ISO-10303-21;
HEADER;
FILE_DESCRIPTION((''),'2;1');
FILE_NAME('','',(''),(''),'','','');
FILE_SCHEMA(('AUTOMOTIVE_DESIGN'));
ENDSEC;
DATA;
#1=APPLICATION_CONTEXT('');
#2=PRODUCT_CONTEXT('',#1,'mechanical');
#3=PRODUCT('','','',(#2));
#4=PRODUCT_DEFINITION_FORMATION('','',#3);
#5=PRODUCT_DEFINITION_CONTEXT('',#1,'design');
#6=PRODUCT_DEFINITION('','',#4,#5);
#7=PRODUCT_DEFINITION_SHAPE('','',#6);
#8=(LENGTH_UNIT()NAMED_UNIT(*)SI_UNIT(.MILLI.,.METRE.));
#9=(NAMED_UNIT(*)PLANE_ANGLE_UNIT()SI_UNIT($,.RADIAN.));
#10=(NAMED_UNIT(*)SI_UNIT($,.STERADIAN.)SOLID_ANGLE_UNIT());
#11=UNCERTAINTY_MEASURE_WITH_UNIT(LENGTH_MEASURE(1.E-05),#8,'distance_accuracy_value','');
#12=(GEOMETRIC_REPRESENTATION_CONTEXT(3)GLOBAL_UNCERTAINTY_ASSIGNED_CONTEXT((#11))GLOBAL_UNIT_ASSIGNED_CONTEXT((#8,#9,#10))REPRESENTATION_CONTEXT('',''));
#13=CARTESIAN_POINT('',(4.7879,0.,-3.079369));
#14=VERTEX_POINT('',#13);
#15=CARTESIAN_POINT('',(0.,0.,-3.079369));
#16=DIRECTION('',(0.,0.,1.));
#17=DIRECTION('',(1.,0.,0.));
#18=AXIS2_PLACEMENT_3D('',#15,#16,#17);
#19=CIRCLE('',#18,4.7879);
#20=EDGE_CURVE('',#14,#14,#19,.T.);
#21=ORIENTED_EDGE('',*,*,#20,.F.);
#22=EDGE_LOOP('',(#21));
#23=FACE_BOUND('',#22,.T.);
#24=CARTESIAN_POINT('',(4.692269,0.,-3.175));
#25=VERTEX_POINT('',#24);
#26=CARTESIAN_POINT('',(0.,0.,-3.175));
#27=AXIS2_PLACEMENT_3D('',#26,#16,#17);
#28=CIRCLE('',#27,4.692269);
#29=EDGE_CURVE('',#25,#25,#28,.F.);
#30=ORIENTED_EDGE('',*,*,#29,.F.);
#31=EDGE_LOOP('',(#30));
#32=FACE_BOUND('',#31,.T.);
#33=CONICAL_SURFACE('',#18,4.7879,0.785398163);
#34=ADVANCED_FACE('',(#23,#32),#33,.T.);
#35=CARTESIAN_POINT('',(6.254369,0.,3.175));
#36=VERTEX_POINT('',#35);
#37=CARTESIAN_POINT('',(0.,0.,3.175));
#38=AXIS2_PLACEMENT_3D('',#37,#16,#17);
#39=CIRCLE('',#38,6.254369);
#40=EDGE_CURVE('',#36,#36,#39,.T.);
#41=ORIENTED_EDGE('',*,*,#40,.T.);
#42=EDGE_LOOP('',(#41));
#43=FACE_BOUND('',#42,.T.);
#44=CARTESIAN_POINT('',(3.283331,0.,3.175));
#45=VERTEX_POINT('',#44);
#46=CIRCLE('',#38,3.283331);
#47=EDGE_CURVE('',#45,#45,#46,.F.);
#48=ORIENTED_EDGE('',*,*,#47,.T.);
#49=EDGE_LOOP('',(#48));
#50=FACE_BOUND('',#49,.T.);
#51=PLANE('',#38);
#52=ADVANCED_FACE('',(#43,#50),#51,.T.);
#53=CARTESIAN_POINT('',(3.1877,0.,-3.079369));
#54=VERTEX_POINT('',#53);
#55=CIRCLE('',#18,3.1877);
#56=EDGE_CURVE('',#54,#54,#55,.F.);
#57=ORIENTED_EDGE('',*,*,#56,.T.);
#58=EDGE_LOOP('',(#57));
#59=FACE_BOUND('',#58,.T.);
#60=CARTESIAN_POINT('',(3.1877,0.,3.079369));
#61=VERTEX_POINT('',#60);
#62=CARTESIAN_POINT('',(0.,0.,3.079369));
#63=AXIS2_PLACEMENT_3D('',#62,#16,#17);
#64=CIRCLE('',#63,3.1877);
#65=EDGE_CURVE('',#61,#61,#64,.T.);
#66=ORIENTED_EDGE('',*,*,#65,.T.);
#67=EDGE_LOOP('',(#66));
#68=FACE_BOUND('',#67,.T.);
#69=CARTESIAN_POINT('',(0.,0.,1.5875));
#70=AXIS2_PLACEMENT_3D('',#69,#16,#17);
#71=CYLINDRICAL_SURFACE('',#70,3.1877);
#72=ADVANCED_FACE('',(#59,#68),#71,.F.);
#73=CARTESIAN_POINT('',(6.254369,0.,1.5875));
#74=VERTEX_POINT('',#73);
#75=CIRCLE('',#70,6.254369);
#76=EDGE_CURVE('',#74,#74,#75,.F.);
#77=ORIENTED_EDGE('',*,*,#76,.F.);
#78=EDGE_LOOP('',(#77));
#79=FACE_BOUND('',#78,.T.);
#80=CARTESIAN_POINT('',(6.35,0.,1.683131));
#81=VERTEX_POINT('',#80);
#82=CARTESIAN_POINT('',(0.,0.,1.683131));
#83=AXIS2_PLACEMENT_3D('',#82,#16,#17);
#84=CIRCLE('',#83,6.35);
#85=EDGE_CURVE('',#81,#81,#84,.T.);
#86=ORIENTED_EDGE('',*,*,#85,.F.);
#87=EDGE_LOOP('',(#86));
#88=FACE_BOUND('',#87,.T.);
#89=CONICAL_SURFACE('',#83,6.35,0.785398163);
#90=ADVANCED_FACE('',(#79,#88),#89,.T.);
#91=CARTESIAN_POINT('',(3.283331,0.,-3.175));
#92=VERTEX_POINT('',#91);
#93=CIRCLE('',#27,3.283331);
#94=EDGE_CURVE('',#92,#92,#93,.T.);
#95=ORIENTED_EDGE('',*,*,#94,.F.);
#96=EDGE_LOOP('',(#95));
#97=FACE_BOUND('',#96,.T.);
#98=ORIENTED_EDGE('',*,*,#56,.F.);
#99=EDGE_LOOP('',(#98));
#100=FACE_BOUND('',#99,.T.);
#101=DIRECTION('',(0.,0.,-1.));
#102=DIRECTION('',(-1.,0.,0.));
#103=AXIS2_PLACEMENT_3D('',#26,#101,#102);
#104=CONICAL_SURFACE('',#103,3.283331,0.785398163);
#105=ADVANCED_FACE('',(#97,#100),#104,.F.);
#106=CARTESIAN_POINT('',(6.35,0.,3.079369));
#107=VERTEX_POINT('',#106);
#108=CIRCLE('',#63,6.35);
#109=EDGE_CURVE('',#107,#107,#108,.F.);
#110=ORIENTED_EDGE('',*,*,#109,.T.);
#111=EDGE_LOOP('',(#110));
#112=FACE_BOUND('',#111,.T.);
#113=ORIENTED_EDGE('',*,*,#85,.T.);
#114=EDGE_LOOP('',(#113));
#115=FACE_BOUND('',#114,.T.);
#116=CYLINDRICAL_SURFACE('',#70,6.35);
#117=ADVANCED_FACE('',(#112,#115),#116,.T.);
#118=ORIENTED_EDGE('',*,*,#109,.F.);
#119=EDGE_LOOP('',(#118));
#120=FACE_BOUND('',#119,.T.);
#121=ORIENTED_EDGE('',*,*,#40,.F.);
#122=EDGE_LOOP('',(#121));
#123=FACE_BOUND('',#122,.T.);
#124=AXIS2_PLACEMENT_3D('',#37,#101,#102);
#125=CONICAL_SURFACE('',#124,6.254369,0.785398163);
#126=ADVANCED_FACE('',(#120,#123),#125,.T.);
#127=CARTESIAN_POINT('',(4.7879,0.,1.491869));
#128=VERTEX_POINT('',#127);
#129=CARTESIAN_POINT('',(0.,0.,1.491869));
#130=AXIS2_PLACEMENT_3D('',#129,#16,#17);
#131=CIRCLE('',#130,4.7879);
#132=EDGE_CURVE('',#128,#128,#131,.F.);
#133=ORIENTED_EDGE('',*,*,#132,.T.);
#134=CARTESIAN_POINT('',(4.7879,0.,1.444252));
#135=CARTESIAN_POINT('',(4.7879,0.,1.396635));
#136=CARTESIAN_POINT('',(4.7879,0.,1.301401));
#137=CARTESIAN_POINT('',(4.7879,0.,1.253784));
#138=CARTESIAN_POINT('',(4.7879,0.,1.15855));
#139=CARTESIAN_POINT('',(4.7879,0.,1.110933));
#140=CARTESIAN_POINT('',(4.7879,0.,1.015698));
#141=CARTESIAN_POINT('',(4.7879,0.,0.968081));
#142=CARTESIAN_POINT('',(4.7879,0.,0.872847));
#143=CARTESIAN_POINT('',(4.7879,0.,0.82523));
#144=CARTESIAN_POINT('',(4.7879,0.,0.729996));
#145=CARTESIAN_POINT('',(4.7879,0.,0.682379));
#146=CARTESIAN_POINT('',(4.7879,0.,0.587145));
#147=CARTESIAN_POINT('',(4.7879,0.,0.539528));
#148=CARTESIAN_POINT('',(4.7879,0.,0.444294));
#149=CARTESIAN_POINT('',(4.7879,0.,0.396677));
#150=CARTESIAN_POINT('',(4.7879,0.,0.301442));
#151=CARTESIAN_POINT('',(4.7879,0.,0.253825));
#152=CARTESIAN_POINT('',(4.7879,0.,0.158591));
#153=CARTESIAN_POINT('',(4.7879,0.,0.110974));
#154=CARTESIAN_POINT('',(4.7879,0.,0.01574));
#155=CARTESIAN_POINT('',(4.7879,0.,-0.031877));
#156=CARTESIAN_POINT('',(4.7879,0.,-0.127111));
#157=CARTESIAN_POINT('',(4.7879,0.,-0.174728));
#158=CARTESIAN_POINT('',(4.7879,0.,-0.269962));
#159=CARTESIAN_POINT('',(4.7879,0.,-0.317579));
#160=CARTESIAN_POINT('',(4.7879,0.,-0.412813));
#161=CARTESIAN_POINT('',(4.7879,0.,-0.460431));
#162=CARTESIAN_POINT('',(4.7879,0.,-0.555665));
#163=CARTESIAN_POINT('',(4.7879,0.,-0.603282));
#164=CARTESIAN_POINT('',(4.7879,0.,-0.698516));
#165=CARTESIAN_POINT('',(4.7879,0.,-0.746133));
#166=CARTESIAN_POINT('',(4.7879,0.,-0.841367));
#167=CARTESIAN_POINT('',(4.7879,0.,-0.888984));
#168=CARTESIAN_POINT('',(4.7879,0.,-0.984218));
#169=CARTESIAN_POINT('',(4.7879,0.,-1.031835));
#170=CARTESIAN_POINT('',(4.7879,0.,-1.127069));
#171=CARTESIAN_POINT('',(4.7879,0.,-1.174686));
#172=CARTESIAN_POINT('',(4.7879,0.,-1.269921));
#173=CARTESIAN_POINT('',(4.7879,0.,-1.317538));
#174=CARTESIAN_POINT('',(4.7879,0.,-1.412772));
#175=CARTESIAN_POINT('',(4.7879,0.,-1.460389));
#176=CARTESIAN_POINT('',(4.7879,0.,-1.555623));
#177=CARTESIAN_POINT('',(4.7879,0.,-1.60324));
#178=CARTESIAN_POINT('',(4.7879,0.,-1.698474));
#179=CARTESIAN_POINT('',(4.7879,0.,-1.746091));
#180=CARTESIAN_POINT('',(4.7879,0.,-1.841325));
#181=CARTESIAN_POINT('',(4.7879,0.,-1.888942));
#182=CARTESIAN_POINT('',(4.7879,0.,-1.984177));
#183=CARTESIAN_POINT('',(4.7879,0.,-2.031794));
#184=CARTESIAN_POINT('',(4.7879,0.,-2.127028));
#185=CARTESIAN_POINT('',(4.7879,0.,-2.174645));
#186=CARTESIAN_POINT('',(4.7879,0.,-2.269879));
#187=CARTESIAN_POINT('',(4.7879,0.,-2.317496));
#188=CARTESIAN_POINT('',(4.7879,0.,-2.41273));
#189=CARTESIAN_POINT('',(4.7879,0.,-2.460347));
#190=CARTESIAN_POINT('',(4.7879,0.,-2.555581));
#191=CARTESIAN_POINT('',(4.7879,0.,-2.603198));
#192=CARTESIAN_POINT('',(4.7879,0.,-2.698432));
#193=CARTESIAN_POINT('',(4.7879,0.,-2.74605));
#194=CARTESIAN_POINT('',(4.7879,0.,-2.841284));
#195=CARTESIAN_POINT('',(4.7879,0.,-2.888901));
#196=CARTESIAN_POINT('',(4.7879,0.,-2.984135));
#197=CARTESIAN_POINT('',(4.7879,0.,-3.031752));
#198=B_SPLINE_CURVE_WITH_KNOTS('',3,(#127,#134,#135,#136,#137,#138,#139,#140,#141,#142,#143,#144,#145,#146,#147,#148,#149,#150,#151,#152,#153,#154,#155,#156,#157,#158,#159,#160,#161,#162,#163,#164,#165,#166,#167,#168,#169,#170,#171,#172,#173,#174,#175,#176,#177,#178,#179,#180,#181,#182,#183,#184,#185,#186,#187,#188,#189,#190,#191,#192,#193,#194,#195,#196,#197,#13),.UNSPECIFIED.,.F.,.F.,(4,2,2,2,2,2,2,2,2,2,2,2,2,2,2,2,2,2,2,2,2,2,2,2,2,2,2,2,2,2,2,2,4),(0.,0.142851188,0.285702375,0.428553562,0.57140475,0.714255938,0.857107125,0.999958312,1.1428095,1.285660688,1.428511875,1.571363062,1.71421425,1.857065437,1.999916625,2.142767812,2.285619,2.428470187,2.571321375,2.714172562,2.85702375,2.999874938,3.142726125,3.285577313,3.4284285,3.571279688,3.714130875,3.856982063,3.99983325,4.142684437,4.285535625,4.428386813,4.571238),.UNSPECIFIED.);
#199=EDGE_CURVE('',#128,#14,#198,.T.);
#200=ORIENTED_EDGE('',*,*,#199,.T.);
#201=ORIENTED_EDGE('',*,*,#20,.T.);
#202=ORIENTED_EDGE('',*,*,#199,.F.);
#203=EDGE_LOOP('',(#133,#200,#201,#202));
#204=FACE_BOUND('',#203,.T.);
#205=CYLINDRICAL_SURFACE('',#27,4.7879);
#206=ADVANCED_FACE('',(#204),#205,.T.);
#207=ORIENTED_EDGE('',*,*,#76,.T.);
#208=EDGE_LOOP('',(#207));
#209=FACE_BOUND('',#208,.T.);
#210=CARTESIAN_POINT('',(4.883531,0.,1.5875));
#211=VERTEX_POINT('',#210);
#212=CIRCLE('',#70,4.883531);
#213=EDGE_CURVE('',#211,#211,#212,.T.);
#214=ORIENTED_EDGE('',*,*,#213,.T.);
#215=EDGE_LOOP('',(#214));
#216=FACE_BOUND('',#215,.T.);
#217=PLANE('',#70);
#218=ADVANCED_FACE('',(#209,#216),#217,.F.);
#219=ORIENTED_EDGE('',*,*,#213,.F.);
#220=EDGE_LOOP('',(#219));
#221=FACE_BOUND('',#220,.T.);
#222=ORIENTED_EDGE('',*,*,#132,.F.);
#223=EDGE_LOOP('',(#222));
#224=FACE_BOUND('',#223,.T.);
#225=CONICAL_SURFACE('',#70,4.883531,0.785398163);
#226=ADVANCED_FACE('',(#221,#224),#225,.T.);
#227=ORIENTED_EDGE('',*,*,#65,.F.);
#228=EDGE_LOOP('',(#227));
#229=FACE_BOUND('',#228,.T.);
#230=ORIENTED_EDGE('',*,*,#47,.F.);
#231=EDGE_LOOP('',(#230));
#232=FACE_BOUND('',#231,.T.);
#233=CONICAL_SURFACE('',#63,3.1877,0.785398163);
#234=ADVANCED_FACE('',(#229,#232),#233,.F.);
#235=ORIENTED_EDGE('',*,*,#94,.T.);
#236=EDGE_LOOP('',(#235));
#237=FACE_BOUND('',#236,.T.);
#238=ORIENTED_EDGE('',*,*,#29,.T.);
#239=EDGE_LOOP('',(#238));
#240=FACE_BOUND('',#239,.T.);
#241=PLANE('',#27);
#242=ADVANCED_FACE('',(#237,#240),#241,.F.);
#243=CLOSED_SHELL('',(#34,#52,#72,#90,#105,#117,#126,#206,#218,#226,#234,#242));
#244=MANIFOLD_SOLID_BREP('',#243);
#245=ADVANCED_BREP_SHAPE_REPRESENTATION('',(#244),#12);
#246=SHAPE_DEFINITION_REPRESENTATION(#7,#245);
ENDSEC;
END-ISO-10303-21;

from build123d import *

# Parameters (mm, degrees)
BOSS_EXTRUDE1_START = 3.175
SKETCH3_R           = 6.35
SKETCH3_R_2         = 3.1877
BOSS_EXTRUDE1_DEPTH = 1.5875
BOSS_EXTRUDE2_START = 1.5875
SKETCH4_R           = 4.7879
SKETCH4_R_2         = 3.1877
BOSS_EXTRUDE2_DEPTH = 4.7625
CHAMFER1_SIZE       = 0.095631


with BuildPart() as part:
    # Sketch3 → Boss-Extrude1 (new body)
    with BuildSketch(Plane.XY.offset(BOSS_EXTRUDE1_START)):
        Circle(SKETCH3_R)
        Circle(SKETCH3_R_2, mode=Mode.SUBTRACT)
    extrude(amount=-BOSS_EXTRUDE1_DEPTH)

    # Sketch4 → Boss-Extrude2 (add)
    with BuildSketch(Plane.XY.offset(BOSS_EXTRUDE2_START)):
        Circle(SKETCH4_R)
        Circle(SKETCH4_R_2, mode=Mode.SUBTRACT)
    extrude(amount=-BOSS_EXTRUDE2_DEPTH)

    # Chamfer1
    chamfer1_edges = [part.edges().sort_by_distance(p)[0] for p in [
        (-3.1877, 0, -3.175),
        (-4.7879, 0, 1.5875),
        (-6.35, 0, 3.175),
        (-6.35, 0, 1.5875),
        (-3.1877, 0, 3.175),
        (-4.7879, 0, -3.175),
    ]]
    chamfer(chamfer1_edges, length=CHAMFER1_SIZE)


solid = part.part
